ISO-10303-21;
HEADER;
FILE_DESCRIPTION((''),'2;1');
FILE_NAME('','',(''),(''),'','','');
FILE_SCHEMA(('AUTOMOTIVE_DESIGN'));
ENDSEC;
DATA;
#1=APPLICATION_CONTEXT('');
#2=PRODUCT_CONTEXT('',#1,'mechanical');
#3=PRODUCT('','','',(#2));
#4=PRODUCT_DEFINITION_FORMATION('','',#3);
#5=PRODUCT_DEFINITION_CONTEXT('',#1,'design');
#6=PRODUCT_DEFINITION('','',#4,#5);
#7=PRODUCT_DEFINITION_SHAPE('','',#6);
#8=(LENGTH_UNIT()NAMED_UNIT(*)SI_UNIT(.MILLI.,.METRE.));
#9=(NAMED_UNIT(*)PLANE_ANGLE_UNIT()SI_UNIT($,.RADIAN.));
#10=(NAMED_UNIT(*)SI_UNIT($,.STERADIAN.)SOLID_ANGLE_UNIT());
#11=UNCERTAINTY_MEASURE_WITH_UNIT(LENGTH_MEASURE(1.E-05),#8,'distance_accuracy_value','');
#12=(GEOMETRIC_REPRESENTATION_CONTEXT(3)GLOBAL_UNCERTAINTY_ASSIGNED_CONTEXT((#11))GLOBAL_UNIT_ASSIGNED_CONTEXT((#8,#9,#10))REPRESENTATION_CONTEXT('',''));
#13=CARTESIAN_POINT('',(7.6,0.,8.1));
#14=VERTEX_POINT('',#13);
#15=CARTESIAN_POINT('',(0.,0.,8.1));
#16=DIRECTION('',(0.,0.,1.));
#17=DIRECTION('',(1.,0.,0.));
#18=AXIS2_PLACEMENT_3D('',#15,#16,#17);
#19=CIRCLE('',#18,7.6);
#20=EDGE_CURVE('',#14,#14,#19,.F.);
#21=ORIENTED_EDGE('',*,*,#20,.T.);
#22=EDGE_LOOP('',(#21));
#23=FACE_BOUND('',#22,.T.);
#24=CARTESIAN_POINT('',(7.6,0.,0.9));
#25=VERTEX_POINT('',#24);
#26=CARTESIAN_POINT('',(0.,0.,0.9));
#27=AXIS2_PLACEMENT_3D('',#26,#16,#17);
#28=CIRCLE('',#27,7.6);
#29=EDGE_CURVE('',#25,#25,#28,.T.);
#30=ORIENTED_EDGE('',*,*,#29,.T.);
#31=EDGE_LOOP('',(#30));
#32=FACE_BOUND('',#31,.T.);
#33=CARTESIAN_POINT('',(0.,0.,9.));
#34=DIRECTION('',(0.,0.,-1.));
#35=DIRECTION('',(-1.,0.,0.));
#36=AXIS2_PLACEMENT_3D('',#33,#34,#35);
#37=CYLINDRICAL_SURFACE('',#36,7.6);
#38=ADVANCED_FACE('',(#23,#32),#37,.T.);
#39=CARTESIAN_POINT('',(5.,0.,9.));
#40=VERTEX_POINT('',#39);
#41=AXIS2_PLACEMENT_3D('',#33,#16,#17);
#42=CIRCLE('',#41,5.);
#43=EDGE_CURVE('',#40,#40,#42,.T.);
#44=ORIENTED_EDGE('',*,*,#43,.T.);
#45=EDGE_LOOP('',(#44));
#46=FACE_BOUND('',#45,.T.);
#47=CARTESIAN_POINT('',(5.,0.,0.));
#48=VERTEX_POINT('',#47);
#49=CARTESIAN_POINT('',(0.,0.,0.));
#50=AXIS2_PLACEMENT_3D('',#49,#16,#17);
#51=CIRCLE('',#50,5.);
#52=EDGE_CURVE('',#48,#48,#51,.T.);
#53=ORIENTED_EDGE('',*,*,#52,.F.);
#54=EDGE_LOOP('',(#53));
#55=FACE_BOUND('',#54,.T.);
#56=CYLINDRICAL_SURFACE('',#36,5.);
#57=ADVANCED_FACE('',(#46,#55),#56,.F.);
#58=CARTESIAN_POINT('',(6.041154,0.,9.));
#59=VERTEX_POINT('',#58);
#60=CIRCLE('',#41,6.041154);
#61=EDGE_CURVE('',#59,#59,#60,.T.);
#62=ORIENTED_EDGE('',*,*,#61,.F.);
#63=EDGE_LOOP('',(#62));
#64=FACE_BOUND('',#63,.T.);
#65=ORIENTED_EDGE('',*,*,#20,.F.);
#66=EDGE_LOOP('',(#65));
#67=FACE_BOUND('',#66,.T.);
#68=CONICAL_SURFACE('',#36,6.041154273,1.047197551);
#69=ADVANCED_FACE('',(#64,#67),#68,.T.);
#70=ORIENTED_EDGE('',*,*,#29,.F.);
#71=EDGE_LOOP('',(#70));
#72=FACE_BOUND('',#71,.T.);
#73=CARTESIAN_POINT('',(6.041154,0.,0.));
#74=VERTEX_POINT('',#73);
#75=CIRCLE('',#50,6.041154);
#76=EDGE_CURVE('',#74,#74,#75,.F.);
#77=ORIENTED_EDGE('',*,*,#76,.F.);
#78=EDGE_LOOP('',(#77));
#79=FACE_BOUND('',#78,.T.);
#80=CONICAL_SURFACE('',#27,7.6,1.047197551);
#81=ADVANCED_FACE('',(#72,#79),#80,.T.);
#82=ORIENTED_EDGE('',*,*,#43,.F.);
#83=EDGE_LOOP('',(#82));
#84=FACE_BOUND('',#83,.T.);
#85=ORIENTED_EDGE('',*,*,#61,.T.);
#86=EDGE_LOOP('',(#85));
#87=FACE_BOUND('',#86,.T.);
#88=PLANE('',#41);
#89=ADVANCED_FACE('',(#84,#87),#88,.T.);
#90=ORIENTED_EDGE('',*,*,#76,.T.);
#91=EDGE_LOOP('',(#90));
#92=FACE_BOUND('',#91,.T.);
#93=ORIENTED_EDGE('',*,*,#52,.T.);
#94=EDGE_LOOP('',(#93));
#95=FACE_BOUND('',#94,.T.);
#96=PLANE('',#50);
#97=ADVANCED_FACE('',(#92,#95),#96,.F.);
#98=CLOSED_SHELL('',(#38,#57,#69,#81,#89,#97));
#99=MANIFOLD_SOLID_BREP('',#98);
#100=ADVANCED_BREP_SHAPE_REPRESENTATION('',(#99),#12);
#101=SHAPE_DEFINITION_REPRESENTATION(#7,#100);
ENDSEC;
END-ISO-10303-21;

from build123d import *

# Parameters (mm, degrees)
ESQUISSE1_R        = 7.6
ESQUISSE1_R_2      = 5
BOSS_EXTRU_1_DEPTH = 9
CHANFREIN5_SIZE    = 0.9
CHANFREIN5_SIZE2   = 1.558845727
CHANFREIN9_SIZE    = 0.9
CHANFREIN9_SIZE2   = 1.558845727


with BuildPart() as part:
    # Esquisse1 → Boss.-Extru.1 (new body)
    with BuildSketch(Plane.XY):
        Circle(ESQUISSE1_R)
        Circle(ESQUISSE1_R_2, mode=Mode.SUBTRACT)
    extrude(amount=BOSS_EXTRU_1_DEPTH)

    # Chanfrein5
    chanfrein5_edges = [part.edges().sort_by_distance(p)[0] for p in [
        (-7.6, 0, 9),
    ]]
    chanfrein5_side = [part.faces().sort_by_distance(p)[0] for p in [
        (-7.6, 0, 4.5),
    ]]
    chamfer(chanfrein5_edges, length=CHANFREIN5_SIZE, length2=CHANFREIN5_SIZE2, reference=chanfrein5_side[0])

    # Chanfrein9
    chanfrein9_edges = [part.edges().sort_by_distance(p)[0] for p in [
        (-7.6, 0, 0),
    ]]
    chanfrein9_side = [part.faces().sort_by_distance(p)[0] for p in [
        (-7.6, 0, 4.05),
    ]]
    chamfer(chanfrein9_edges, length=CHANFREIN9_SIZE, length2=CHANFREIN9_SIZE2, reference=chanfrein9_side[0])


solid = part.part
